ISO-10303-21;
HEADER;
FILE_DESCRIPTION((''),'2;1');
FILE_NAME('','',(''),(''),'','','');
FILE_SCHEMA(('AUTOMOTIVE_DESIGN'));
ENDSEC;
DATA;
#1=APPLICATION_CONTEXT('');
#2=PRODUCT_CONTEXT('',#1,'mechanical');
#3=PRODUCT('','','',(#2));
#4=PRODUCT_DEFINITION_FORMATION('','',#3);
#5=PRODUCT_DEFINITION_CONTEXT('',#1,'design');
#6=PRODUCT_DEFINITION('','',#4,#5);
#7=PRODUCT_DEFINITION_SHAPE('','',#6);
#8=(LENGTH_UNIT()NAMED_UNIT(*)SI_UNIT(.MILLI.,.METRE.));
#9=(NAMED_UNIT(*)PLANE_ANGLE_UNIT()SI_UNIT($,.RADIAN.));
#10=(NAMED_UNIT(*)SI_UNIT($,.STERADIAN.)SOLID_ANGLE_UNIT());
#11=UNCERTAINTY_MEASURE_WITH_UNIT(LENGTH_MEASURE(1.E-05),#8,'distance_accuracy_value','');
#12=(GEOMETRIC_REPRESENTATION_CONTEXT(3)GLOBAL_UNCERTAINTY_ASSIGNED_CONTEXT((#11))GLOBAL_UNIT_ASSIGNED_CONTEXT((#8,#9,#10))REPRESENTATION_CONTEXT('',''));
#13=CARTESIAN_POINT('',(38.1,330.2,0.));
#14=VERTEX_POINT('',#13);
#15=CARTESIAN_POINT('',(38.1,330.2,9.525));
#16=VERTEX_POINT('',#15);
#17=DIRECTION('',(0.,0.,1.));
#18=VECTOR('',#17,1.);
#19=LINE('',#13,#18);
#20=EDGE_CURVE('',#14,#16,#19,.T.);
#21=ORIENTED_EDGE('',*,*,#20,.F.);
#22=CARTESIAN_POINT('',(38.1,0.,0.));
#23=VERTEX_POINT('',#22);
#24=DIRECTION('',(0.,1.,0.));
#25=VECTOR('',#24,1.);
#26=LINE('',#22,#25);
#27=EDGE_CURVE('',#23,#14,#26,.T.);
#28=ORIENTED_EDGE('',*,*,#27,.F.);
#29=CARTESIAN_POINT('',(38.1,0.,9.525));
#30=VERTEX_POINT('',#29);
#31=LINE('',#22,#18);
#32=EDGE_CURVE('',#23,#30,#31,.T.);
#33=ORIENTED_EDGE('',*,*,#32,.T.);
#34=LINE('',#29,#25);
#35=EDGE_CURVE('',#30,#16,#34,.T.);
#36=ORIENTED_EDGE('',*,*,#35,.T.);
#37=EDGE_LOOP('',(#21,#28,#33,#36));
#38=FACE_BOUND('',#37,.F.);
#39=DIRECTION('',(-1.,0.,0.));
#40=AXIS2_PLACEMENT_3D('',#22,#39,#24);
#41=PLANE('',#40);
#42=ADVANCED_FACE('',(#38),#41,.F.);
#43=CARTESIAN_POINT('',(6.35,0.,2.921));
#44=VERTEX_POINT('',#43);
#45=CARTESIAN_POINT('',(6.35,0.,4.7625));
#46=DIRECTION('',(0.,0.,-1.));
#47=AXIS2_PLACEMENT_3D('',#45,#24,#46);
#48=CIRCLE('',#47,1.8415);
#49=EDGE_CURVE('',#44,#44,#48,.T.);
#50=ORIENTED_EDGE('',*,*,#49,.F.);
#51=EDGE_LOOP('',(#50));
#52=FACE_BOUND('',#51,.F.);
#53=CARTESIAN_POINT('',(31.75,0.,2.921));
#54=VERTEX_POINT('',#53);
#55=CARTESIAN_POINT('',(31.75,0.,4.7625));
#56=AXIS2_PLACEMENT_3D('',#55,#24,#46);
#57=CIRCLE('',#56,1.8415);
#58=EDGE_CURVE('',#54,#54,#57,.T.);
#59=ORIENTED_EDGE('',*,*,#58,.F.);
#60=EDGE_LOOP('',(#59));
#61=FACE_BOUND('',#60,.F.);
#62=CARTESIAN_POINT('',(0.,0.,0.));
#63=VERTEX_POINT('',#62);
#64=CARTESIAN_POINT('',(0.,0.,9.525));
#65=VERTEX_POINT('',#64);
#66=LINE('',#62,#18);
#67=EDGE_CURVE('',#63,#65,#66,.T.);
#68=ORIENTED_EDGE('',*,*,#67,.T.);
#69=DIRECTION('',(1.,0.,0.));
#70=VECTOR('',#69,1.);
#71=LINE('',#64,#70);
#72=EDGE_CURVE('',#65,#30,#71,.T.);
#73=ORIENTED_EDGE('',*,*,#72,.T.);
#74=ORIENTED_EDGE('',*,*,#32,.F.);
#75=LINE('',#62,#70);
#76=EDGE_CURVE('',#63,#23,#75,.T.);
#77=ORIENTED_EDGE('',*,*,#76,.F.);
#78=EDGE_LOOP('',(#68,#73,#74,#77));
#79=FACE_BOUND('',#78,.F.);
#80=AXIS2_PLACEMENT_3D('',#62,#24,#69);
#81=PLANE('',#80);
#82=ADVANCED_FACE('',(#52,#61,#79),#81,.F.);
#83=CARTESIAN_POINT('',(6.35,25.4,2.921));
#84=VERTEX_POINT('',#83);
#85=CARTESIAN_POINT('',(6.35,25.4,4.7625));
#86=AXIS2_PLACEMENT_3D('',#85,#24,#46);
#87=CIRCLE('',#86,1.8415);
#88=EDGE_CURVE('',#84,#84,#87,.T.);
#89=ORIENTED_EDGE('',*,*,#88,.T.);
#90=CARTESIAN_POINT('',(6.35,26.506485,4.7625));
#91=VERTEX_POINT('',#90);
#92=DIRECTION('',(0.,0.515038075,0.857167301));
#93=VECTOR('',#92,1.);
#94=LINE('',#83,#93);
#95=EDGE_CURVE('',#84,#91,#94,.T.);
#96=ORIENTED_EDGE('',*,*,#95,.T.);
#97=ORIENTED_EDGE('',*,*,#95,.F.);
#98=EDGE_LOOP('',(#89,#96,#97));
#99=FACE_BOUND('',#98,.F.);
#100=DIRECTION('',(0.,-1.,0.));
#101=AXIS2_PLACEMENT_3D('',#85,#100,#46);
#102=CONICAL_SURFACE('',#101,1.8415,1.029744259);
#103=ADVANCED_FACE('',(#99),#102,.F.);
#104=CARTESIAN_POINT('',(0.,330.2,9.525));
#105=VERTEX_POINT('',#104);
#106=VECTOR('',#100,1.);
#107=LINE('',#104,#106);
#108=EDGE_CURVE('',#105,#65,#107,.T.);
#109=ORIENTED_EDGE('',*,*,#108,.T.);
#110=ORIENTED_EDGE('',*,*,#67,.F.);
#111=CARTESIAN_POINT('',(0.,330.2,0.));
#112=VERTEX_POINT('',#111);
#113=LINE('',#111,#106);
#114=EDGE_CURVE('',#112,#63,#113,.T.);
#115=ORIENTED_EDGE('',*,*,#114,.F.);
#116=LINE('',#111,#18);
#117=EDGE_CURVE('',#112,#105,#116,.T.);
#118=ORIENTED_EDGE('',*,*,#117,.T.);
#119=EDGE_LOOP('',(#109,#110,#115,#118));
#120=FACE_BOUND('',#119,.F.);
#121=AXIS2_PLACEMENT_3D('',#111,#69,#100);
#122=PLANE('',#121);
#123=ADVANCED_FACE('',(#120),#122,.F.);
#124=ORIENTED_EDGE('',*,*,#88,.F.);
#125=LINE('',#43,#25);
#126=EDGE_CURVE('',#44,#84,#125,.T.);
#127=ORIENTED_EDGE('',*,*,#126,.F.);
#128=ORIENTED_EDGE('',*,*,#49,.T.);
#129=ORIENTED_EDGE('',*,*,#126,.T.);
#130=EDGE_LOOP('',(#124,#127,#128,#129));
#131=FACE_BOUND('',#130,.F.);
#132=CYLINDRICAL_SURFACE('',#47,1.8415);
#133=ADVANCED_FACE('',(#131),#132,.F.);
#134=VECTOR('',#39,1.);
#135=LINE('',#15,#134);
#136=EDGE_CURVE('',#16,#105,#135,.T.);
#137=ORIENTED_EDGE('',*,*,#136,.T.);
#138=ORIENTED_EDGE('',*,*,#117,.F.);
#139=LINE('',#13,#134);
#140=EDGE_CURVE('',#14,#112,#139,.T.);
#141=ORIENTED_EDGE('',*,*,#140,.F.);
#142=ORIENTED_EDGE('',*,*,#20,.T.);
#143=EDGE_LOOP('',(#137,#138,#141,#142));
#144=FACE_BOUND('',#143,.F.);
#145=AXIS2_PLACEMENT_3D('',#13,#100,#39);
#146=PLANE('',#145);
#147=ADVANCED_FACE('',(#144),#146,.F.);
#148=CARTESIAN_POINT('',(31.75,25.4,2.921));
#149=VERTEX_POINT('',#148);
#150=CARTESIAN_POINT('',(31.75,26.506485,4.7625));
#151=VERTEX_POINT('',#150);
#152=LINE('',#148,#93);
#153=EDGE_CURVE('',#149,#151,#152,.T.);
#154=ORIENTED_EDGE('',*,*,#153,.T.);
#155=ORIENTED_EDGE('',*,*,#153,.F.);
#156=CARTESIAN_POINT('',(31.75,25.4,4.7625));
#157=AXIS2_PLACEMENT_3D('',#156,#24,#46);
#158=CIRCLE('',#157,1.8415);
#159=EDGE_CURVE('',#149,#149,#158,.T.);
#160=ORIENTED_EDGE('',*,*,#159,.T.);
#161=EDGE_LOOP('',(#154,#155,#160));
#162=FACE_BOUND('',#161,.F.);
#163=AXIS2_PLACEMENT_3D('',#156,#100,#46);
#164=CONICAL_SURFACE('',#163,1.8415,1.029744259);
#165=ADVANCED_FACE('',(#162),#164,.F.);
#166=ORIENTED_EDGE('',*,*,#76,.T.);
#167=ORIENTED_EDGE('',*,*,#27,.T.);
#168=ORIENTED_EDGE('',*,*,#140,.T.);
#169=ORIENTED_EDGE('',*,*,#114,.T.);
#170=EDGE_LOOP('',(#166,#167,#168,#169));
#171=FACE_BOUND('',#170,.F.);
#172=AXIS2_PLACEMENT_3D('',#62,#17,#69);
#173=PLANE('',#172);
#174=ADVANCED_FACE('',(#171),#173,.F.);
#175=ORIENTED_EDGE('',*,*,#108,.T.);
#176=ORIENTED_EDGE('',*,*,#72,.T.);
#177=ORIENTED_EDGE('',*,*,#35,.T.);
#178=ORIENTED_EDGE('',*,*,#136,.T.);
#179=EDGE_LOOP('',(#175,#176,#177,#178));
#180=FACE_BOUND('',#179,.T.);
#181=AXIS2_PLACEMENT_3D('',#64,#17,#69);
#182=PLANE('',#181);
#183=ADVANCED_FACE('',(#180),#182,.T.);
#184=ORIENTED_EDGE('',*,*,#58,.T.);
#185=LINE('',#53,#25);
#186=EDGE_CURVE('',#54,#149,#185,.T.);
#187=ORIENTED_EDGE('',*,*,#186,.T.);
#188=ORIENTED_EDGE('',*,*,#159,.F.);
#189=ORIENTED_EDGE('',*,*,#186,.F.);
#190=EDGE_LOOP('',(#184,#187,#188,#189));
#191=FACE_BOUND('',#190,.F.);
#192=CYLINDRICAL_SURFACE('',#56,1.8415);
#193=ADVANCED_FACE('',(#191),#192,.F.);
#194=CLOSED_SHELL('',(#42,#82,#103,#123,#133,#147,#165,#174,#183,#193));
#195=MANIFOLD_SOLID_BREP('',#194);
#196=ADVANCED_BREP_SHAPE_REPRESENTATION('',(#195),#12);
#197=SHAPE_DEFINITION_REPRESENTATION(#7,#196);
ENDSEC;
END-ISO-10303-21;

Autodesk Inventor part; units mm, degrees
ref_plane "YZ Plane" through (0, 0, 0) normal (1, 0, 0) x (0, 1, 0)
ref_plane "XZ Plane" through (0, 0, 0) normal (0, 1, 0) x (-1, 0, 0)
ref_plane "XY Plane" through (0, 0, 0) normal (0, 0, 1) x (1, 0, 0)
sketch "Sketch1" plane through (0, 0, 0) normal (0, 0, 1) x (1, 0, 0)
  line L0 (0, 0) -> (38.1, 0)
  line L1 (38.1, 0) -> (38.1, 330.2)
  line L2 (38.1, 330.2) -> (0, 330.2)
  line L3 (0, 330.2) -> (0, 0)
  dimension "d0" = 38.1
  dimension "d1" = 330.2
extrude "Extrusion1" add sketch "Sketch1" along normal blind 9.525
sketch "Sketch2" plane through (0, 0, 0) normal (0, -1, 0) x (1, 0, 0)
  line L0 (0, 0) -> (38.1, 0) projected
  line L1 (38.1, 0) -> (38.1, 9.525) projected
  line L2 (0, 9.525) -> (38.1, 9.525) projected
  line L3 (0, 0) -> (0, 9.525) projected
  point P0 (31.75, 4.7625)
  point P1 (6.35, 4.7625)
  dimension "d4" = 25.4
  dimension "d5" = 38.1
  dimension "d6" = 9.525
  dimension "d7" = 6.35
  dimension "d8" = 4.7625
  dimension "d9" = 4.7625
hole "Hole1" at (31.75, 0, 4.7625) at (6.35, 0, 4.7625) direction (0, 1, 0) diameter 3.683 depth 25.4 tip angle 118 thread size "10-24 UNC" class "2B" standard "ANSI Unified Screw Threads"
equation "\"d8\" = 0.5 * d6"
equation "\"d9\" = d8"
properties part number "CollectionPost"
